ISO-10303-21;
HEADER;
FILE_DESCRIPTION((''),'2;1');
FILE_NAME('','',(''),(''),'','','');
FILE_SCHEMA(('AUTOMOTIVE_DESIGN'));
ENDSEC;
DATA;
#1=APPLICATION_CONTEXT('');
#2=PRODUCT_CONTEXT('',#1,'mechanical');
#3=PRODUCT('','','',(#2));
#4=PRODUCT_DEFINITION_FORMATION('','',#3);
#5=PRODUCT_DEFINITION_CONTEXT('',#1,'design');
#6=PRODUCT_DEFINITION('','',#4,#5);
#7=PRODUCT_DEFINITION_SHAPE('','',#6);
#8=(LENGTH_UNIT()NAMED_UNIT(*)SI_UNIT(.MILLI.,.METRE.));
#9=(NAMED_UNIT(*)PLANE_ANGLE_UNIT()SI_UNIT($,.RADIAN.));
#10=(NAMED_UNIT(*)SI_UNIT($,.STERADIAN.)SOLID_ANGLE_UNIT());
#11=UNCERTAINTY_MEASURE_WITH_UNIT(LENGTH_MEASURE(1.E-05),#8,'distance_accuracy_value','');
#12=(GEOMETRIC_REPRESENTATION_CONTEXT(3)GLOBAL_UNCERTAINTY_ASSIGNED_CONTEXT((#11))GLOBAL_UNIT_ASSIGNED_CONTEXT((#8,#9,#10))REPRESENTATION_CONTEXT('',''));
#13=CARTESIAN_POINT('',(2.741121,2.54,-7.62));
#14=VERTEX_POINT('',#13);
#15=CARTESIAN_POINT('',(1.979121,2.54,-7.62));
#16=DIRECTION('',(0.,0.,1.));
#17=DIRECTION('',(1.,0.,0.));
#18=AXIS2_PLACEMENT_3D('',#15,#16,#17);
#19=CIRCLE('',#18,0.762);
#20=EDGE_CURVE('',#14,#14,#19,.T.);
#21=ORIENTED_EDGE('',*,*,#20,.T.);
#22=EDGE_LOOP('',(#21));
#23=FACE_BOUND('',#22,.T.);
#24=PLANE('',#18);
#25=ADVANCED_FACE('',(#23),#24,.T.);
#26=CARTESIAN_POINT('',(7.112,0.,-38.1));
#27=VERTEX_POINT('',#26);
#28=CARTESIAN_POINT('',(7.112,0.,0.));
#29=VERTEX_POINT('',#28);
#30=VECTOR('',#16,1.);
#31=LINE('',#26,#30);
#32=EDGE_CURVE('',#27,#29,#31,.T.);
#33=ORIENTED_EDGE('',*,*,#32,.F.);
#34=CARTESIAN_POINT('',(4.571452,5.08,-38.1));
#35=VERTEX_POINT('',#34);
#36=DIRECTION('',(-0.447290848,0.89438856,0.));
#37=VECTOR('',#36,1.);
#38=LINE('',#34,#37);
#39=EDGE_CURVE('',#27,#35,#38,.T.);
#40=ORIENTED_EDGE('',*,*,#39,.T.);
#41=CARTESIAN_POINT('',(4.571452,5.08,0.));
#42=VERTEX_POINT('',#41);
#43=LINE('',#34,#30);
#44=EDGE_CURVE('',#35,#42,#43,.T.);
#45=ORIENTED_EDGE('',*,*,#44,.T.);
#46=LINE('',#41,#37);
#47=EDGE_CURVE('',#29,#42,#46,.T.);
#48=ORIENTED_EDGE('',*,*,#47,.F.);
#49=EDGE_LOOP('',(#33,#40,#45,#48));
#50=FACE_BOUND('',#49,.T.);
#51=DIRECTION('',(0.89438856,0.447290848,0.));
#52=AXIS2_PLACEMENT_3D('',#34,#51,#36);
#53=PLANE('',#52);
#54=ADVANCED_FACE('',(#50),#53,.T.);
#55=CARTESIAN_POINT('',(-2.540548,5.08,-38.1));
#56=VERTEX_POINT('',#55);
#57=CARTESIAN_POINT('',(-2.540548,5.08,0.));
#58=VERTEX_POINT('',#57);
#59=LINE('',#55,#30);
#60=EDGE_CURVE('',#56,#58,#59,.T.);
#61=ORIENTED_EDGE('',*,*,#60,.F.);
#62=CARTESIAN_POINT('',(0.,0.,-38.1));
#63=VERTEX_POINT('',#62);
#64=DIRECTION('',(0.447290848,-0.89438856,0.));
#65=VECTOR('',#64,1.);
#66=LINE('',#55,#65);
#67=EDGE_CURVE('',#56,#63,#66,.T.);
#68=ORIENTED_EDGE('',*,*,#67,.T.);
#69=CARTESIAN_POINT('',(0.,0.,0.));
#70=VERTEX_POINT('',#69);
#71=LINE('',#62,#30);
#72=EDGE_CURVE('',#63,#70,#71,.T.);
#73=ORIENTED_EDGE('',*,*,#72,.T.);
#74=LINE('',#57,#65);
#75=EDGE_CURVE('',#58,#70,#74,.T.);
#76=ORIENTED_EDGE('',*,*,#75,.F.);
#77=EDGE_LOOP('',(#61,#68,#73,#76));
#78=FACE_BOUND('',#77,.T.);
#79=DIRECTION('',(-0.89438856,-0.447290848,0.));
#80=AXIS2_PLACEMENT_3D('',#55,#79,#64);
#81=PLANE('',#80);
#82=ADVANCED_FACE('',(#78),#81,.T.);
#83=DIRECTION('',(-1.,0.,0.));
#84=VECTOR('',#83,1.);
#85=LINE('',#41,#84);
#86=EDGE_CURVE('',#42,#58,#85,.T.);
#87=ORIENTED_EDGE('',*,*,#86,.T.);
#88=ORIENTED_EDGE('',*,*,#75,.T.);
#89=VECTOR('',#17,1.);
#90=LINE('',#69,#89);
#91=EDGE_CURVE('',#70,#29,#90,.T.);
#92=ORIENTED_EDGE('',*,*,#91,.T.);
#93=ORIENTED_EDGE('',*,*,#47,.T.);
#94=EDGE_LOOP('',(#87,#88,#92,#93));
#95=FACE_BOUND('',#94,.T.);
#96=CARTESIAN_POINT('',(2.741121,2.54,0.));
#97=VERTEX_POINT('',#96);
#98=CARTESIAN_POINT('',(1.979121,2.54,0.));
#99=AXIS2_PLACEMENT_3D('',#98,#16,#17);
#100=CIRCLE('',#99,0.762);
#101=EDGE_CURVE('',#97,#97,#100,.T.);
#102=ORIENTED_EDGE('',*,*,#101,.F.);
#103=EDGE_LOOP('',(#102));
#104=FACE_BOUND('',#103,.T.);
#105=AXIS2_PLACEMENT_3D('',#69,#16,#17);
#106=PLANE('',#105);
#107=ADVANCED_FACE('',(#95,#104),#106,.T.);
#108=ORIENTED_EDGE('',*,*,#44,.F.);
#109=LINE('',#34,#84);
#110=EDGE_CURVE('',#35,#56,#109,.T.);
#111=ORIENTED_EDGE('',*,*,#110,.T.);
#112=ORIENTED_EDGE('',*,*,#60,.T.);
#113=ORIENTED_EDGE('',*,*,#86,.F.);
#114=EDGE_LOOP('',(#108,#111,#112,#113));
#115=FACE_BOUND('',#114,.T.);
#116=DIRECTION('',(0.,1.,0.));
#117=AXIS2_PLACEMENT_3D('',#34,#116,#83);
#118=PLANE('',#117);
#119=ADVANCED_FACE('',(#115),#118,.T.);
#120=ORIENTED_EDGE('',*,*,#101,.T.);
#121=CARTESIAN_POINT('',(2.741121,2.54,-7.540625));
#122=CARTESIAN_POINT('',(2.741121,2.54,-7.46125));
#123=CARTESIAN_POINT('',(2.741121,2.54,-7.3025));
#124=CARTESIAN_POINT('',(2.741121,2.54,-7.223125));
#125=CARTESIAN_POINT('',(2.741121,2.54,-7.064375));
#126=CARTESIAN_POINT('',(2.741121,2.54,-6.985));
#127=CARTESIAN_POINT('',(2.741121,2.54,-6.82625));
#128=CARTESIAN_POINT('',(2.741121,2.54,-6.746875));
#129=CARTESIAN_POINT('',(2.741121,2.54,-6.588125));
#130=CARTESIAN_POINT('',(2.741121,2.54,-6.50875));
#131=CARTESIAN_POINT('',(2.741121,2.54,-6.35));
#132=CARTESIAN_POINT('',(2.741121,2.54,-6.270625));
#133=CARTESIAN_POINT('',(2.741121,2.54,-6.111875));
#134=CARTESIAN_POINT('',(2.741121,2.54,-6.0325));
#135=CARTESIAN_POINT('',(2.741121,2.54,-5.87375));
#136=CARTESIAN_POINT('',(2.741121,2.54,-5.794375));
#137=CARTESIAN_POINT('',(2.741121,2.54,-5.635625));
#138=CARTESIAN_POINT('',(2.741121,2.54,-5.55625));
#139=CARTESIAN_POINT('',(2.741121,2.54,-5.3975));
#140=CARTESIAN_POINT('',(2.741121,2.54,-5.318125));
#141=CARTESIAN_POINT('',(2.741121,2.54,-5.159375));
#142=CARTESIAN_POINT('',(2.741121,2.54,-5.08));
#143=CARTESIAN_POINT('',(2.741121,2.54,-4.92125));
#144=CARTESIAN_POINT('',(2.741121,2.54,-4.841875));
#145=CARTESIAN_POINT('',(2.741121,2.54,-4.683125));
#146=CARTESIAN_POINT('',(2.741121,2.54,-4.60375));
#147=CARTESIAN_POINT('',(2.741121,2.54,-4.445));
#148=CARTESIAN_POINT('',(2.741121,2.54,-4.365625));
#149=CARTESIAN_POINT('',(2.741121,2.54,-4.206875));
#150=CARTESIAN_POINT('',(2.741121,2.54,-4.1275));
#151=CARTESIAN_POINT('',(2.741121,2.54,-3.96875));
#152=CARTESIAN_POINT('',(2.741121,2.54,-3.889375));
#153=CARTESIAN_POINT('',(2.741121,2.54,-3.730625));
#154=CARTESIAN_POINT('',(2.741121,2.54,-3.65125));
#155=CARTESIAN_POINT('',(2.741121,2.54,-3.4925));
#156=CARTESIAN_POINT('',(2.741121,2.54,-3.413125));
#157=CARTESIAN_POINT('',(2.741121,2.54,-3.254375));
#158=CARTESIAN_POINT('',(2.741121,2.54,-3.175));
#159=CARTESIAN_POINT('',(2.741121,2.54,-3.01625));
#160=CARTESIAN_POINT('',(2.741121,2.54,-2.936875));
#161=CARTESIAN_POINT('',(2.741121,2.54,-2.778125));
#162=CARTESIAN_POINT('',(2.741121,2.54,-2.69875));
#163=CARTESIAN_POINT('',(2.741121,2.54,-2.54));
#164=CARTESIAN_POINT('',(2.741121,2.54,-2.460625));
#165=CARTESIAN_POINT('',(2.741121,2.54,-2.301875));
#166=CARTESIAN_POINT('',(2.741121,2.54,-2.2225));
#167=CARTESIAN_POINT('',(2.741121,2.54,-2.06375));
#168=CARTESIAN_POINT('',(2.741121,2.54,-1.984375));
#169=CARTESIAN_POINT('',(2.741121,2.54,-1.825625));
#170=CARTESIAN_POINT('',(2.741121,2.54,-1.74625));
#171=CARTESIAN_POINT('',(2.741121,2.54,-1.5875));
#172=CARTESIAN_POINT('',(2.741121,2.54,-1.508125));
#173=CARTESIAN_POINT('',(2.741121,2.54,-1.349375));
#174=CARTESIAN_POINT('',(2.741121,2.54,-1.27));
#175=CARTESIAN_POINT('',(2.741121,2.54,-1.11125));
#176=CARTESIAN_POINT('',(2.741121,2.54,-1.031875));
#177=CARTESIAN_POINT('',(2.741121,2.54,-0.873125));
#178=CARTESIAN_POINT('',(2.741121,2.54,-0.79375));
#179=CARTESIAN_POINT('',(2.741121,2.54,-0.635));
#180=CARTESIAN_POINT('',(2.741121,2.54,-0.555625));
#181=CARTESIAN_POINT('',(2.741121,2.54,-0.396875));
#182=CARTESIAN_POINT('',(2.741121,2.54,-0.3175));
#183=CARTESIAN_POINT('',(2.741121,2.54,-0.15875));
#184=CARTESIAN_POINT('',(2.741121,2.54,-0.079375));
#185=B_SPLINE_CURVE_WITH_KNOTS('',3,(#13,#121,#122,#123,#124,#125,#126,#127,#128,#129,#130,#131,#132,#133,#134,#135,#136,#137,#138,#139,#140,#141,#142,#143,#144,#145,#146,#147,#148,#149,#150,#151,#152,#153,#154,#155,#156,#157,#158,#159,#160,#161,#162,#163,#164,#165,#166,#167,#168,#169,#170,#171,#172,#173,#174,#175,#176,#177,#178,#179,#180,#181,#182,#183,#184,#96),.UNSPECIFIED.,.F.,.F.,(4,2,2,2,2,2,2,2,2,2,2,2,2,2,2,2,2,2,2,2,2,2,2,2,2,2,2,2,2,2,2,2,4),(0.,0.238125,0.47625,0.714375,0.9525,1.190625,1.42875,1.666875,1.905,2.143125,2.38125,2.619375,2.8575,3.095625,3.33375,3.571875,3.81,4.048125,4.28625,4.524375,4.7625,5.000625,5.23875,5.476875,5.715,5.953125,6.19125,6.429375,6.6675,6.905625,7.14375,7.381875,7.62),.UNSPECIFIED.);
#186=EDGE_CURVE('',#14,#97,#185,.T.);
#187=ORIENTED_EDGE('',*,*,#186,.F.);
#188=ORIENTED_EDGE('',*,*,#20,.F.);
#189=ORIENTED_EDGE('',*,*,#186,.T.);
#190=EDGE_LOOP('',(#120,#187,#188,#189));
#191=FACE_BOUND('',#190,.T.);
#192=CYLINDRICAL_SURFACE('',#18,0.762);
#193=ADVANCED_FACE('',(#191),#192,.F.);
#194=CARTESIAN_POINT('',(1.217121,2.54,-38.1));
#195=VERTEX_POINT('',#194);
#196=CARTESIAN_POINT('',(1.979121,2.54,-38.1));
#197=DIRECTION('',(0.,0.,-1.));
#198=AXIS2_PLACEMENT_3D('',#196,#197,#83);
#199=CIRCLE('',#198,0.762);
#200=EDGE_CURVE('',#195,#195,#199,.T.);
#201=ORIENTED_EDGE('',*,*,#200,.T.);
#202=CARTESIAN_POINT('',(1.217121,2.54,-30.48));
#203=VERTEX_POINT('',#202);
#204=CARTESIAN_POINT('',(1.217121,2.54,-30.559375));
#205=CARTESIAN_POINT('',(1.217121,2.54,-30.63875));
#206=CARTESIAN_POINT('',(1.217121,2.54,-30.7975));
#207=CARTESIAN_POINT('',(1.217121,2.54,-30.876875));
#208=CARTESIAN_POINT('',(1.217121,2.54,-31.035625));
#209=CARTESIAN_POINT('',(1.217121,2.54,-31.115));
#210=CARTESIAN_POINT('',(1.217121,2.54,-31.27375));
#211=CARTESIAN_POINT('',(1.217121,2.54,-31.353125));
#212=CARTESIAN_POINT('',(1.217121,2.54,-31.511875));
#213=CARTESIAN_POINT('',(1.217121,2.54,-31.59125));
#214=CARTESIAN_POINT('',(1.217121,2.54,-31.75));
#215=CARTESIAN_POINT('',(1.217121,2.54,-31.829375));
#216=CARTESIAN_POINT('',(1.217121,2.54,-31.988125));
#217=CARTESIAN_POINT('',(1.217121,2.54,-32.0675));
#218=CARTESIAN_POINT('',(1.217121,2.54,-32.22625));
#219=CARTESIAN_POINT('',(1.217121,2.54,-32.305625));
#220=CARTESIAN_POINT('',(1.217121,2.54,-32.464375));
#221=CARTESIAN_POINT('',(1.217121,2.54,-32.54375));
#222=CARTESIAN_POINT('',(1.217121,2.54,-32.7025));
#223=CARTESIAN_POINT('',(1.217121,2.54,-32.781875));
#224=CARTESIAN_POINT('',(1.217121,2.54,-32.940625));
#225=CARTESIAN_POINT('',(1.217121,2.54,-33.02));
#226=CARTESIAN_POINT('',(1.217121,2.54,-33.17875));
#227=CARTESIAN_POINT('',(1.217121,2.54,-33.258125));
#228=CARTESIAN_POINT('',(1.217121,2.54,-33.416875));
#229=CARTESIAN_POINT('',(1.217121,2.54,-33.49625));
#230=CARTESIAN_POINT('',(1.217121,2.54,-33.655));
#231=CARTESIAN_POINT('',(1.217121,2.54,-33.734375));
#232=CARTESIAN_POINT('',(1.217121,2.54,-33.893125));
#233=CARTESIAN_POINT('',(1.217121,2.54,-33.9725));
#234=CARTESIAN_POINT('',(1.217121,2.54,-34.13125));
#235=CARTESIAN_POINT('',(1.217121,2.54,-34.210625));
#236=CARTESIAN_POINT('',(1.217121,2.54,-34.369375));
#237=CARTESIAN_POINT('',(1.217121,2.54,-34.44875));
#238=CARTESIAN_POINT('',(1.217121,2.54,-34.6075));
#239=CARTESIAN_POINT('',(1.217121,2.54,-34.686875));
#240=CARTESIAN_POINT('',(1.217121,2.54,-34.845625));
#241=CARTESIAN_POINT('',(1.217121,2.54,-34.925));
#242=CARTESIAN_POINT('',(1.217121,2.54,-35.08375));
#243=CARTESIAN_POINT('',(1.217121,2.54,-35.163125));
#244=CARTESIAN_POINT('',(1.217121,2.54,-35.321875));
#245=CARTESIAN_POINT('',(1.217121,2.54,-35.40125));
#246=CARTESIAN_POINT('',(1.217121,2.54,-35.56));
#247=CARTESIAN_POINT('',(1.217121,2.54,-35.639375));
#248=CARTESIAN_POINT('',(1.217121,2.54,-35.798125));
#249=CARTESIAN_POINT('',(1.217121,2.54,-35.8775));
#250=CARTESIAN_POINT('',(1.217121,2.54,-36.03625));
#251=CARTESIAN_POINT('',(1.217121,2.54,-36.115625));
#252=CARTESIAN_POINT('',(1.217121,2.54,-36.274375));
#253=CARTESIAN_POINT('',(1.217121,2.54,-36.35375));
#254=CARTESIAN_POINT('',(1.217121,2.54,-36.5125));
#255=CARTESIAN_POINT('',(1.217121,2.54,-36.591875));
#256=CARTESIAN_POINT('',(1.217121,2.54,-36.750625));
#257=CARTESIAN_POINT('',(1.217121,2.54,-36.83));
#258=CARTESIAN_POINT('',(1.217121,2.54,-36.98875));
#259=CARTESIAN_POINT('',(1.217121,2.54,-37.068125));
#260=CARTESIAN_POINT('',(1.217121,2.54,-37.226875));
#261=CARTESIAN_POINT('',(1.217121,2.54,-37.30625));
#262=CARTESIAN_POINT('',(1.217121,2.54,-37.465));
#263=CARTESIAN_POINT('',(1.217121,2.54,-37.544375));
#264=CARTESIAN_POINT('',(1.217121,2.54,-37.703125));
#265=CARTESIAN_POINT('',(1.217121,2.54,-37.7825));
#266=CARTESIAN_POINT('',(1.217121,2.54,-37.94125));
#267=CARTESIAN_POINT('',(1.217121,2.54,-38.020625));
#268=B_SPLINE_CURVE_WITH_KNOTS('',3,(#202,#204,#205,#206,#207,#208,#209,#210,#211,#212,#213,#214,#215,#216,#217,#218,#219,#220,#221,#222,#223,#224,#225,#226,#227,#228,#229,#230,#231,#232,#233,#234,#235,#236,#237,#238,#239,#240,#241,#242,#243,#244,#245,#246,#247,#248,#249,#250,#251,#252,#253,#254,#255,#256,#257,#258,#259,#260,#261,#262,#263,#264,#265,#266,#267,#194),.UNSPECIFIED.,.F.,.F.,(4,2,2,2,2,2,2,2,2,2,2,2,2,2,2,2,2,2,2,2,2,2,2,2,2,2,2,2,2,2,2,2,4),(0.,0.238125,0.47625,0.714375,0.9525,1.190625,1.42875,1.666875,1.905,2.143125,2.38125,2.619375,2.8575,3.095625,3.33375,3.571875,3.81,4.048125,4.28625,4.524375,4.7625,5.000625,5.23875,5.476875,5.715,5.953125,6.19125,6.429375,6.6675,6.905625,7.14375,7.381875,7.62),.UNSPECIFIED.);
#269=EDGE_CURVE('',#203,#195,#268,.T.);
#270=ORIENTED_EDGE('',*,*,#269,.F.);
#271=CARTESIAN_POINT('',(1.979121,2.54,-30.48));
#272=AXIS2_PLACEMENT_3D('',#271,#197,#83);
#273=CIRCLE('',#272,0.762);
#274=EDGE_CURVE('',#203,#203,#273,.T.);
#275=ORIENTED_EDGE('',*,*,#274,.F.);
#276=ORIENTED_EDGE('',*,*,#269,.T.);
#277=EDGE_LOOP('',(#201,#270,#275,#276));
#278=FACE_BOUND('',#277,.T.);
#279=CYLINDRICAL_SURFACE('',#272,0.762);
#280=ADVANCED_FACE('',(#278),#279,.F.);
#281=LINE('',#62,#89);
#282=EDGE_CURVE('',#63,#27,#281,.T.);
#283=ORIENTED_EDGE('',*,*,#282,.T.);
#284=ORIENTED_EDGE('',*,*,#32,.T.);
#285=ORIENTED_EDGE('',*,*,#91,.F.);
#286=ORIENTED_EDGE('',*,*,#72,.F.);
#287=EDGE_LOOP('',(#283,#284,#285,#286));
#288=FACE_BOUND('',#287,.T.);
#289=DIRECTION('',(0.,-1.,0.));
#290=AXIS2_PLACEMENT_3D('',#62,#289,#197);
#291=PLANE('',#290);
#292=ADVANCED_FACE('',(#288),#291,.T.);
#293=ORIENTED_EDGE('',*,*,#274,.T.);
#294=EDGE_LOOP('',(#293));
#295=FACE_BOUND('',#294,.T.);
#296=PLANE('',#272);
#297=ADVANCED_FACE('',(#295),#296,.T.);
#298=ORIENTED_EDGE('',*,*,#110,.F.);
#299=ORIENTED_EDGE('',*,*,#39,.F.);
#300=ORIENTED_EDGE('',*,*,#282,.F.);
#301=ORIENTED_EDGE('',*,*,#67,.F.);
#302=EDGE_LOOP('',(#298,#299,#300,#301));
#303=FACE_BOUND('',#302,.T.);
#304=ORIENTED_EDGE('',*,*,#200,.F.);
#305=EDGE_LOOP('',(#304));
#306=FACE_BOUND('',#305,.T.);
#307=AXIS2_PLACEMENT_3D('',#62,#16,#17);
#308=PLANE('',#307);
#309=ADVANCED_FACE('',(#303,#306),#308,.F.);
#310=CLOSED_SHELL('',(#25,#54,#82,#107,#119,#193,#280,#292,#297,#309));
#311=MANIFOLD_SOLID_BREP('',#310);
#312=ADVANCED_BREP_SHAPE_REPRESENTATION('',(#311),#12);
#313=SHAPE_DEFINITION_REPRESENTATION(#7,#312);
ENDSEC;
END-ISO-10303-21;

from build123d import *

# Parameters (mm, degrees)
BOSS_EXTRUDE1_DEPTH = 38.1
SKETCH2_R           = 0.762
CUT_EXTRUDE1_DEPTH  = 7.62
CUT_EXTRUDE2_START  = -7.62
SKETCH3_R           = 0.762
CUT_EXTRUDE2_DEPTH  = 7.62


with BuildPart() as part:
    # Sketch1 → Boss-Extrude1 (new body)
    with BuildSketch(Plane.XY):
        Polygon((0, 0), (7.112, 0), (4.571451506, 5.08), (-2.540548494, 5.08), align=None)
    extrude(amount=-BOSS_EXTRUDE1_DEPTH)

    # Sketch2 → Cut-Extrude1 (cut)
    with BuildSketch(Plane.XY):
        with Locations((1.979121083, 2.54)):
            Circle(SKETCH2_R)
    extrude(amount=-CUT_EXTRUDE1_DEPTH, mode=Mode.SUBTRACT)

    # Sketch3 → Cut-Extrude2 (cut)
    with BuildSketch(Plane(origin=(0, 0, -38.1), x_dir=(-1, 0, 0), z_dir=(0, 0, -1)).offset(CUT_EXTRUDE2_START)):
        with Locations(Location((-1.979121083, 2.54, 0), (0, 0, 180))):
            Circle(SKETCH3_R)
    extrude(amount=CUT_EXTRUDE2_DEPTH, mode=Mode.SUBTRACT)


solid = part.part
